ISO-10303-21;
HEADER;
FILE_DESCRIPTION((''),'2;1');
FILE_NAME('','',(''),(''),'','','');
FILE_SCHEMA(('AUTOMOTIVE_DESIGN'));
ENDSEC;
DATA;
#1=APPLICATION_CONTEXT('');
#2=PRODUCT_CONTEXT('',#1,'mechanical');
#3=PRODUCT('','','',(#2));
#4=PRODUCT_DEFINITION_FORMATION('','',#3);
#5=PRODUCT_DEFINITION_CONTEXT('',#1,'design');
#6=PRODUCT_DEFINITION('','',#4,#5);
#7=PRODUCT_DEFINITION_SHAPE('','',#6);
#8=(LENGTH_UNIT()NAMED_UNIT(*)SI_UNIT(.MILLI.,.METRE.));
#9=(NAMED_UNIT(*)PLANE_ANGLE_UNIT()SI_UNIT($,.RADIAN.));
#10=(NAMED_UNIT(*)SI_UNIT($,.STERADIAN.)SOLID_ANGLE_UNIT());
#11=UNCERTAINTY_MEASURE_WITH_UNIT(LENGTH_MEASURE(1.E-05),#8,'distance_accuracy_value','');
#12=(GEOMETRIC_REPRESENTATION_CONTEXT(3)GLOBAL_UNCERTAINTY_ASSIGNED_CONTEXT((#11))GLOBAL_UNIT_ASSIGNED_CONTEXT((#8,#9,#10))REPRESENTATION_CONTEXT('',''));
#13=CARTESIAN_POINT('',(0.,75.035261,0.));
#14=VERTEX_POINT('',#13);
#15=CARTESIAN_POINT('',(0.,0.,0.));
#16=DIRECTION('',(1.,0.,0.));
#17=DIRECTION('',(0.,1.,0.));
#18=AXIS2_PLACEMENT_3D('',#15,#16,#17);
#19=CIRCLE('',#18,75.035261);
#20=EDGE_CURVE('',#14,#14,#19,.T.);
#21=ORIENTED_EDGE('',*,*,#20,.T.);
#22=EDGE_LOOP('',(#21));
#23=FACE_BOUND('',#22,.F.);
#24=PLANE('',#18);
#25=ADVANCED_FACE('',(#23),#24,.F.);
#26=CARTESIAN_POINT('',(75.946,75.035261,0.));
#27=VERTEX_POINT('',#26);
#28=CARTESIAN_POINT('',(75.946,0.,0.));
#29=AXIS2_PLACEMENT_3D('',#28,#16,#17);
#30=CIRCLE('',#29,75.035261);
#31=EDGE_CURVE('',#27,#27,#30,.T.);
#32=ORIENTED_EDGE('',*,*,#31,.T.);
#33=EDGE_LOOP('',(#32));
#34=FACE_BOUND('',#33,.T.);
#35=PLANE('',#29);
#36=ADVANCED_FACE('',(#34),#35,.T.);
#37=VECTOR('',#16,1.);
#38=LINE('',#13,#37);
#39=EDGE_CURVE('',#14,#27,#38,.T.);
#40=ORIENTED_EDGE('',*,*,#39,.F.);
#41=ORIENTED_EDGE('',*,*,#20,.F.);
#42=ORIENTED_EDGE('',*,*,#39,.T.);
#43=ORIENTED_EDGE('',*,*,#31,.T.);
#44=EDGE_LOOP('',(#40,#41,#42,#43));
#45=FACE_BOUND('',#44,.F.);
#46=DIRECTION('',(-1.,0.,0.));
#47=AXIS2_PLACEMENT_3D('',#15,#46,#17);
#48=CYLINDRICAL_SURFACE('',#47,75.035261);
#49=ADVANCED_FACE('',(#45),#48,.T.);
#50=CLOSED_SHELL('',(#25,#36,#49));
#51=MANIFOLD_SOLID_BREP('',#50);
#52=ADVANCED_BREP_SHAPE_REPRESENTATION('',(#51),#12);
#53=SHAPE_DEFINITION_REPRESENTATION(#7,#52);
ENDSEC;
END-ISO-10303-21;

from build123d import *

# Parameters (mm, degrees)
F0_R     = 75.035261
F1_DEPTH = 75.946


with BuildPart() as f1:
    # F0 (on Right) → F1 (new body)
    with BuildSketch(Plane.YZ):
        Circle(F0_R)
    extrude(amount=F1_DEPTH)


solid = f1.part
